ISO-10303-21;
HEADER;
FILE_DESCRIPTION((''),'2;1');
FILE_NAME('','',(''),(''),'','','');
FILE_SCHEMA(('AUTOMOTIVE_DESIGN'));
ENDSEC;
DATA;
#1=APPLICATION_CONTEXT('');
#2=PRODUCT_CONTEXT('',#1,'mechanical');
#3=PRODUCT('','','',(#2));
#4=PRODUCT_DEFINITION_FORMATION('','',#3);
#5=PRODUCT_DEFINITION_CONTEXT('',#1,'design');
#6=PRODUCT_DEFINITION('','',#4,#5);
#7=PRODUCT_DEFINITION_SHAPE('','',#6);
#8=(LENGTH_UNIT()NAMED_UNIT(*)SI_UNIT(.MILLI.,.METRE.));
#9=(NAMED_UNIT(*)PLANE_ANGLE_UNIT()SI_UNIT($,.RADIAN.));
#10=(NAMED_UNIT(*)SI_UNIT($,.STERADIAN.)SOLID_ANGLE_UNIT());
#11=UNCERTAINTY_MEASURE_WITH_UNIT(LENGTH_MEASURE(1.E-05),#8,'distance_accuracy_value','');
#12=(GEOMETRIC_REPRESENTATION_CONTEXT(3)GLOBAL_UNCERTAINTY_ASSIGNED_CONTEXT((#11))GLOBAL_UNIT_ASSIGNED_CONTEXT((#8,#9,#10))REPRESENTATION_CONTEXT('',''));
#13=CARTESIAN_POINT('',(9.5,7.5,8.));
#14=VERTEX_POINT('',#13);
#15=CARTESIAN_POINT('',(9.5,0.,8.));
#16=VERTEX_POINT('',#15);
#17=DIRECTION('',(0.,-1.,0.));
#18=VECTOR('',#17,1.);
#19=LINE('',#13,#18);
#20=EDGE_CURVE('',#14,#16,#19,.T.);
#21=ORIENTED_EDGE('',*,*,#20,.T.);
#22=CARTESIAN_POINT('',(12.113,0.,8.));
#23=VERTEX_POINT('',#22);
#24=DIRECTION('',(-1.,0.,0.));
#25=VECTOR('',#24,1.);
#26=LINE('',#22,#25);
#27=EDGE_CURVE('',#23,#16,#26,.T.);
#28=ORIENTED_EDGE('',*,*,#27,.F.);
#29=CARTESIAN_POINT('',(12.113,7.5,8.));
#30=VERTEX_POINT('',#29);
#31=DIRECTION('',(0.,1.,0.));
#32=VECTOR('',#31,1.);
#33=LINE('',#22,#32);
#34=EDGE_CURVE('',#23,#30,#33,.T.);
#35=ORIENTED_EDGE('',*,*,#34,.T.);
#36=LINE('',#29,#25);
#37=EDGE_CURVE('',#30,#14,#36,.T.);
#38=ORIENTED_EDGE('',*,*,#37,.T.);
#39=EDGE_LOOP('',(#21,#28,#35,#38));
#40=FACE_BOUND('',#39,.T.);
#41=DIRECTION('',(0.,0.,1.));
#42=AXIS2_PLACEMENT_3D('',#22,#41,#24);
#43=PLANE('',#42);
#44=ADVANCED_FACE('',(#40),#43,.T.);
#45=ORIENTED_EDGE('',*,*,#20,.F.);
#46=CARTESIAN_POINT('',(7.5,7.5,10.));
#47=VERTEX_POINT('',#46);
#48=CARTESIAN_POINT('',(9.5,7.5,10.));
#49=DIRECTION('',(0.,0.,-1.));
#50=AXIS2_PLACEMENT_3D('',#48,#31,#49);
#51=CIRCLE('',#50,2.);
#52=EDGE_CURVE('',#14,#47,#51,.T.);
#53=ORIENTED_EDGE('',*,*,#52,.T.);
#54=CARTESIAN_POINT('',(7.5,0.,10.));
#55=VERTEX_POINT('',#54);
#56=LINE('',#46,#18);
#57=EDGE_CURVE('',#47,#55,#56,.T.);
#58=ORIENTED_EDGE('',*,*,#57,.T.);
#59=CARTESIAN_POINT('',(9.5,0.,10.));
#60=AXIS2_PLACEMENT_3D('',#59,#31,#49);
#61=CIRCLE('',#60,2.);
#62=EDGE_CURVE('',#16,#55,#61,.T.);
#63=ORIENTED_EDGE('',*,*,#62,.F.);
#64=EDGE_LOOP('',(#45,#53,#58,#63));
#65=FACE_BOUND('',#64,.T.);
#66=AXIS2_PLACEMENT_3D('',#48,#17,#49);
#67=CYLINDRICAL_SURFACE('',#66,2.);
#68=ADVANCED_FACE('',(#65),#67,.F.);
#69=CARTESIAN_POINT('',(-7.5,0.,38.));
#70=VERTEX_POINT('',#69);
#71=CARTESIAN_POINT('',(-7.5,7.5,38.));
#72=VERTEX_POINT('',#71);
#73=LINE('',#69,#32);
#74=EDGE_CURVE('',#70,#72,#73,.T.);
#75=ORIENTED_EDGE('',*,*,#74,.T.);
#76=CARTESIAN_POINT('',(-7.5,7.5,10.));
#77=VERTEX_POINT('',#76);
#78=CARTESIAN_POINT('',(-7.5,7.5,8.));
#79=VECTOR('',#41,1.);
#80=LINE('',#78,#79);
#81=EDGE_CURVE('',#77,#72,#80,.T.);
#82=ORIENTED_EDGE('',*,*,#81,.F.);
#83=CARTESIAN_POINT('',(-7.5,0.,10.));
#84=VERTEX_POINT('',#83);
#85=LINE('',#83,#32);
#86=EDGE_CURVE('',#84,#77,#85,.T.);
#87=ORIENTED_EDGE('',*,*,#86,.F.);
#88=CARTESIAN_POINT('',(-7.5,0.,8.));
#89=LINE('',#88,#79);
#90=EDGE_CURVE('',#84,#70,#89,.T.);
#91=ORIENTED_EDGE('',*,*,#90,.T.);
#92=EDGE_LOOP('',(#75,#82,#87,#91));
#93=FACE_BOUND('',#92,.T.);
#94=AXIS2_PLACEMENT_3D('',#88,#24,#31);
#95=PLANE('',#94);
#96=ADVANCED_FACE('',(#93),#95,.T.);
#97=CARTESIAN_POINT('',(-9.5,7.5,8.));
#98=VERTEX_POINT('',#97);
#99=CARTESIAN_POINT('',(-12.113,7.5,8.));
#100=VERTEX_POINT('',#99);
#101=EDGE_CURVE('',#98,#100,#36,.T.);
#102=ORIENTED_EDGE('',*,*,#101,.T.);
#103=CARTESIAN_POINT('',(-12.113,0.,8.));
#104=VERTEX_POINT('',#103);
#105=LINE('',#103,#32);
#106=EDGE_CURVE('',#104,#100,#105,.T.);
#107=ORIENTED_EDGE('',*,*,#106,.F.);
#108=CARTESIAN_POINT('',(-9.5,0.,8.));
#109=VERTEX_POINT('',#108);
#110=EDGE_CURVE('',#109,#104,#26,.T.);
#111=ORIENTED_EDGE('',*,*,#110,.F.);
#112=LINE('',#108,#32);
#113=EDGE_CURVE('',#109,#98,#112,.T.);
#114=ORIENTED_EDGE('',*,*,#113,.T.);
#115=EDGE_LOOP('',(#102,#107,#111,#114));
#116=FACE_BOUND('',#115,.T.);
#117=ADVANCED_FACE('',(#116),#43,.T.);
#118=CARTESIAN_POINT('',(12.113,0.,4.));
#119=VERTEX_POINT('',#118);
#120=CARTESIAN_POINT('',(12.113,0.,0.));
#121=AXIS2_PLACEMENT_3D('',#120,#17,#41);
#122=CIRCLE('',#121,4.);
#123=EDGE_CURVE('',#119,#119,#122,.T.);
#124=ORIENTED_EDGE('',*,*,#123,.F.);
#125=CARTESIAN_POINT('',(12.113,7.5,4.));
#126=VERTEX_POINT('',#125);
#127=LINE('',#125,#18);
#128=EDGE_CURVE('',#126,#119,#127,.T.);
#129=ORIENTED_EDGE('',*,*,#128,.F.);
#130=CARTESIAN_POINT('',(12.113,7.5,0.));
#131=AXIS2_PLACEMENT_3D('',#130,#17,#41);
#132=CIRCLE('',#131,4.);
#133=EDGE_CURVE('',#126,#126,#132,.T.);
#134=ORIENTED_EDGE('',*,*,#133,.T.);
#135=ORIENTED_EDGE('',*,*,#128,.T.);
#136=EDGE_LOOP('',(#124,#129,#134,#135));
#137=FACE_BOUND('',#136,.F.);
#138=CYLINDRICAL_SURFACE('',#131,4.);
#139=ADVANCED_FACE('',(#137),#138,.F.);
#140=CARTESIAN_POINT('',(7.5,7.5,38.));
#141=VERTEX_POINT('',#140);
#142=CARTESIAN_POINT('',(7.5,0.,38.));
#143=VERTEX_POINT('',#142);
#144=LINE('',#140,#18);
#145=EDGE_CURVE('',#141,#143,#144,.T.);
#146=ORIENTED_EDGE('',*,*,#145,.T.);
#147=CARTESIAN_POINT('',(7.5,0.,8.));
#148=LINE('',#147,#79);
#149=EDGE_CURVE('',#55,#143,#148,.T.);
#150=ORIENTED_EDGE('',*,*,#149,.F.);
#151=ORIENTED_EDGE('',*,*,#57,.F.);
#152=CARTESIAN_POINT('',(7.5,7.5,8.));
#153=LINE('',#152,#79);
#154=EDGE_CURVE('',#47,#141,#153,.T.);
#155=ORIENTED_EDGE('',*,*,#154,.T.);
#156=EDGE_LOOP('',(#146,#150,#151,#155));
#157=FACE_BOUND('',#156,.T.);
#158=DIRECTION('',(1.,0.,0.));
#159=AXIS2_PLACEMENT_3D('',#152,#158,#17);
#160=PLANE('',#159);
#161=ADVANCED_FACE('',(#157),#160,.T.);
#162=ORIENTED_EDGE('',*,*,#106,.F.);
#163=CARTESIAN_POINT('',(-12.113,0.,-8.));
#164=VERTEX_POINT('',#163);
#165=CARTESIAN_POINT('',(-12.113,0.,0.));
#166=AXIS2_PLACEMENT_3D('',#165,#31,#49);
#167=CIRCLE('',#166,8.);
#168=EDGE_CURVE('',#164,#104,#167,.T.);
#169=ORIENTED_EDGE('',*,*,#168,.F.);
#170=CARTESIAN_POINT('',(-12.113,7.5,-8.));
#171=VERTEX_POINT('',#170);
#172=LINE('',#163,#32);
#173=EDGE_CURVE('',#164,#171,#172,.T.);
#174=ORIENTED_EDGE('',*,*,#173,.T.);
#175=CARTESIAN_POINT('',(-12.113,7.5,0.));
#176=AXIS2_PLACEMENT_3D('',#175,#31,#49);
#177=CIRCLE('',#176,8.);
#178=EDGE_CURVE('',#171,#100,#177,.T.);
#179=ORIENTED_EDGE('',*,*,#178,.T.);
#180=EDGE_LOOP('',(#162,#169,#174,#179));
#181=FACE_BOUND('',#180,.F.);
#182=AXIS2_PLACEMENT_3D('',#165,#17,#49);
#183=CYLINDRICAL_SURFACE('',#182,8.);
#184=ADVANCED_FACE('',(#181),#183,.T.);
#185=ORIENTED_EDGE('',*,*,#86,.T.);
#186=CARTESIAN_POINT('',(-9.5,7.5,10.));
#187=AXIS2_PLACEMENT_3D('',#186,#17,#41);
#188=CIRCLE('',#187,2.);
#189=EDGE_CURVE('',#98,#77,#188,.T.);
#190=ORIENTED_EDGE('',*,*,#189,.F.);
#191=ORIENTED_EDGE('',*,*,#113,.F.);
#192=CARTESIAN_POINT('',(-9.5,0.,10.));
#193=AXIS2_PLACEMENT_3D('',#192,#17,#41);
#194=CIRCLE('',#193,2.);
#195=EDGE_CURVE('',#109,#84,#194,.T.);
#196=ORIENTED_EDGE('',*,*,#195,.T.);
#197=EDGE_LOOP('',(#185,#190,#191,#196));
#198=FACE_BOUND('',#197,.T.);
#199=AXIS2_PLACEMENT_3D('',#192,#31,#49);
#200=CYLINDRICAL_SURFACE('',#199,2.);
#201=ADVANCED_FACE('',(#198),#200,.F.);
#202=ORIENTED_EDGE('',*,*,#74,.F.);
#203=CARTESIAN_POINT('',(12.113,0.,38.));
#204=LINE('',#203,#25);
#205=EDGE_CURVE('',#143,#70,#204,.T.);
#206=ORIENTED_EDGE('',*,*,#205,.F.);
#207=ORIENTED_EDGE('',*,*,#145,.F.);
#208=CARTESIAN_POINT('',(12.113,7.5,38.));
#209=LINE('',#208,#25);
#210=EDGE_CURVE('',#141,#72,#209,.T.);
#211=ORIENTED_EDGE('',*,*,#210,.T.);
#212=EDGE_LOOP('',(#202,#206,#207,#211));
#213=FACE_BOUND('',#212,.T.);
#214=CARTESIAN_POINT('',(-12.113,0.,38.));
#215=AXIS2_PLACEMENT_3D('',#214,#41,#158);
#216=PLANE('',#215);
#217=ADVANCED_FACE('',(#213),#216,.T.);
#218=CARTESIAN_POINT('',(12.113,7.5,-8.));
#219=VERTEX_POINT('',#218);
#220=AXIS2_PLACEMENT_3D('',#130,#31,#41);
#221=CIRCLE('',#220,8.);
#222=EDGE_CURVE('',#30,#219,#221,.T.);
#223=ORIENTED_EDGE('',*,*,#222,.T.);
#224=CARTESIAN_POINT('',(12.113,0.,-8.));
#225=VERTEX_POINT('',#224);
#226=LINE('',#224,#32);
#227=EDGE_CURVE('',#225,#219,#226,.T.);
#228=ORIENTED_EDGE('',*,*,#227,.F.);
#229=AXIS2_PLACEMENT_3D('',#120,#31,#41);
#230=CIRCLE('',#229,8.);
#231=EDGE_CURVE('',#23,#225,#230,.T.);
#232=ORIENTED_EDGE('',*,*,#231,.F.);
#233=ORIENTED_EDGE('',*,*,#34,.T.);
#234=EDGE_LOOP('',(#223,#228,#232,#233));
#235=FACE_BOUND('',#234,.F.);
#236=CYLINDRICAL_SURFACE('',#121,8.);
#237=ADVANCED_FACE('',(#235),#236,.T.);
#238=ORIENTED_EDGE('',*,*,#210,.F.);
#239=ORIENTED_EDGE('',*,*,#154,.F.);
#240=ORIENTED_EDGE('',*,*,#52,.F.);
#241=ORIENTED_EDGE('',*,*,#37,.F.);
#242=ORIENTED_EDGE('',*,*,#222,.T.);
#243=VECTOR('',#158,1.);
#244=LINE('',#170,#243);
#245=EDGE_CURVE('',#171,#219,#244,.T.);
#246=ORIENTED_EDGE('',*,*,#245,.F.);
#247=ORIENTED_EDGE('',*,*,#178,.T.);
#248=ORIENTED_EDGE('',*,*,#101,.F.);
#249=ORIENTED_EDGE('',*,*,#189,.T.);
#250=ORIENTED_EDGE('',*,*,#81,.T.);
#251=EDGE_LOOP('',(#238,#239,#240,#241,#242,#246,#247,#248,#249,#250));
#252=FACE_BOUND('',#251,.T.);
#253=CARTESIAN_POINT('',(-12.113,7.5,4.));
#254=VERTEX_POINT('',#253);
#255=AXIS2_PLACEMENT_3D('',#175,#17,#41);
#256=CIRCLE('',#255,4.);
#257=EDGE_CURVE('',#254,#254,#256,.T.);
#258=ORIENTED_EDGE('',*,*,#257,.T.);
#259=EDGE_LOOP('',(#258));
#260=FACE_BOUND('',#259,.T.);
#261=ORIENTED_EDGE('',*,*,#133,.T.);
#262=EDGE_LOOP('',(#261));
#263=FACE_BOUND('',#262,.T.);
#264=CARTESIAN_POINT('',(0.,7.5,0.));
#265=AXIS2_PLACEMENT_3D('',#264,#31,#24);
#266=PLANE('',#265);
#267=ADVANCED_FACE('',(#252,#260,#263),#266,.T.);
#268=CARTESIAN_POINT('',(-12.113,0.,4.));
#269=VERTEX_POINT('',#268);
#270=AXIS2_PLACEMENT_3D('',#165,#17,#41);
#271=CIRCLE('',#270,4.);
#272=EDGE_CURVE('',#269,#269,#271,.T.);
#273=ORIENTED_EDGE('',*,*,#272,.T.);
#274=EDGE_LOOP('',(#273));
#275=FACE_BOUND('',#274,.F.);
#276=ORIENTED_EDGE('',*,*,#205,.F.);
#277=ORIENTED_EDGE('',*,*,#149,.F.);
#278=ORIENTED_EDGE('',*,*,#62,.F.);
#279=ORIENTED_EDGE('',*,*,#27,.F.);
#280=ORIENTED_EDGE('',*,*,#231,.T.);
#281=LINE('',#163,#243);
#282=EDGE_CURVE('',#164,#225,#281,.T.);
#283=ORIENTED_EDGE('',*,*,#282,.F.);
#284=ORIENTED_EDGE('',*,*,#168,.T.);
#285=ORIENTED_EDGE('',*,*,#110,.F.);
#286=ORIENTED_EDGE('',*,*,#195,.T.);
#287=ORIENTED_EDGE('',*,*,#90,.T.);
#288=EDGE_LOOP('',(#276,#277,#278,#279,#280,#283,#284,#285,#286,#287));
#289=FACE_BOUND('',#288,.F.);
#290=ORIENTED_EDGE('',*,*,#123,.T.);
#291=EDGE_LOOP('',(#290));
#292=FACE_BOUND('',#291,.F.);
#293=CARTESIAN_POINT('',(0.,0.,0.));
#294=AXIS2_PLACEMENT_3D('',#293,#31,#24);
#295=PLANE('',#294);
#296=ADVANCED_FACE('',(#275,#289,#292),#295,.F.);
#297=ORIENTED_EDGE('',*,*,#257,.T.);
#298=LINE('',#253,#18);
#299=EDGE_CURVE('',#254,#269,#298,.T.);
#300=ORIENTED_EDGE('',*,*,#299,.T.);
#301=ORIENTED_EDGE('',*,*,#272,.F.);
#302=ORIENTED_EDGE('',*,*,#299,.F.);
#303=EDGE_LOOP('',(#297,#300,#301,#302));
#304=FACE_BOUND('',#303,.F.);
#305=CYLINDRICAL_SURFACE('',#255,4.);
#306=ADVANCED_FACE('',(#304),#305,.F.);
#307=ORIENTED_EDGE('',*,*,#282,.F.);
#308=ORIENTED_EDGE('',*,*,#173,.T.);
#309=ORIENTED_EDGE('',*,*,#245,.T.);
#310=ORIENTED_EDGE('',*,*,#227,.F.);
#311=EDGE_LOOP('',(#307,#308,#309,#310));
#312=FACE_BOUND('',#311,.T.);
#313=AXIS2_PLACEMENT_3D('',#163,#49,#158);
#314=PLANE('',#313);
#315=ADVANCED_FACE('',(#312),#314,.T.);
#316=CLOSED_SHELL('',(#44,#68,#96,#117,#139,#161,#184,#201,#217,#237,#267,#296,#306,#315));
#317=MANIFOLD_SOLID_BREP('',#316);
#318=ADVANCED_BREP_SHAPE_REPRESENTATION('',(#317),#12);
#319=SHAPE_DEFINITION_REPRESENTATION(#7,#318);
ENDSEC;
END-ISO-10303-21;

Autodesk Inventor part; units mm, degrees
ref_plane "YZ Plane" through (0, 0, 0) normal (1, 0, 0) x (0, 1, 0)
ref_plane "XZ Plane" through (0, 0, 0) normal (0, 1, 0) x (-1, 0, 0)
ref_plane "XY Plane" through (0, 0, 0) normal (0, 0, 1) x (1, 0, 0)
sketch "Sketch1" plane through (0, 0, 0) normal (0, 1, 0) x (-1, 0, 0)
  line L0 (12.113, -8) -> (-12.113, -8)
  line L1 (-12.113, 8) -> (12.113, 8)
  arc A0 (12.113, -8) -> (12.113, 8) centre (12.113, 0) ccw
  arc A1 (-12.113, 8) -> (-12.113, -8) centre (-12.113, 0) ccw
  point P0 (0, 0)
  dimension "d0" = 16
  dimension "d2" = 8
  dimension "d4" = 24.226
  dimension "d5" = 12.113
extrude "Extrusion1" add sketch "Sketch1" along normal blind 7.5
sketch "Sketch2" plane through (0, 7.5, 0) normal (0, 1, 0) x (1, 0, 0)
  arc A0 (-12.113, 8) -> (-12.113, -8) centre (-12.113, 0) ccw projected
  arc A1 (12.113, -8) -> (12.113, 8) centre (12.113, 0) ccw projected
  point P0 (0, 0)
  point P1 (-12.113, 0)
  point P2 (12.113, 0)
  dimension "d8" = 0
  dimension "d9" = 0
  dimension "d11" = 0
  dimension "d12" = 0
hole "Hole1" at (12.113, 7.5, 0) at (-12.113, 7.5, 0) direction (0, -1, 0) diameter 8 end through all
sketch "Sketch3" plane through (-12.113, 0, 8) normal (0, 0, 1) x (1, 0, 0)
  line L0 (24.226, 7.5) -> (0, 7.5) projected
  line L1 (24.226, 0) -> (0, 0) projected
  line L2 (4.613, 7.5) -> (19.613, 7.5)
  line L3 (19.613, 7.5) -> (19.613, 0)
  line L4 (19.613, 0) -> (4.613, 0)
  line L5 (4.613, 0) -> (4.613, 7.5)
  point P0 (12.113, 0)
  point P1 (4.613, 0)
  dimension "d20" = 15
  dimension "d21" = 7.5
extrude "Extrusion2" add sketch "Sketch3" along normal blind 30
fillet "Fillet1" radius 2 2 edges at (-7.5, 3.75, 8) (7.5, 3.75, 8)
equation "\"d2\" = 0.5 * d0"
equation "\"d5\" = 0.5 * d4"
equation "\"d21\" = 0.5 * d20"
properties part number "holder3_puller"
